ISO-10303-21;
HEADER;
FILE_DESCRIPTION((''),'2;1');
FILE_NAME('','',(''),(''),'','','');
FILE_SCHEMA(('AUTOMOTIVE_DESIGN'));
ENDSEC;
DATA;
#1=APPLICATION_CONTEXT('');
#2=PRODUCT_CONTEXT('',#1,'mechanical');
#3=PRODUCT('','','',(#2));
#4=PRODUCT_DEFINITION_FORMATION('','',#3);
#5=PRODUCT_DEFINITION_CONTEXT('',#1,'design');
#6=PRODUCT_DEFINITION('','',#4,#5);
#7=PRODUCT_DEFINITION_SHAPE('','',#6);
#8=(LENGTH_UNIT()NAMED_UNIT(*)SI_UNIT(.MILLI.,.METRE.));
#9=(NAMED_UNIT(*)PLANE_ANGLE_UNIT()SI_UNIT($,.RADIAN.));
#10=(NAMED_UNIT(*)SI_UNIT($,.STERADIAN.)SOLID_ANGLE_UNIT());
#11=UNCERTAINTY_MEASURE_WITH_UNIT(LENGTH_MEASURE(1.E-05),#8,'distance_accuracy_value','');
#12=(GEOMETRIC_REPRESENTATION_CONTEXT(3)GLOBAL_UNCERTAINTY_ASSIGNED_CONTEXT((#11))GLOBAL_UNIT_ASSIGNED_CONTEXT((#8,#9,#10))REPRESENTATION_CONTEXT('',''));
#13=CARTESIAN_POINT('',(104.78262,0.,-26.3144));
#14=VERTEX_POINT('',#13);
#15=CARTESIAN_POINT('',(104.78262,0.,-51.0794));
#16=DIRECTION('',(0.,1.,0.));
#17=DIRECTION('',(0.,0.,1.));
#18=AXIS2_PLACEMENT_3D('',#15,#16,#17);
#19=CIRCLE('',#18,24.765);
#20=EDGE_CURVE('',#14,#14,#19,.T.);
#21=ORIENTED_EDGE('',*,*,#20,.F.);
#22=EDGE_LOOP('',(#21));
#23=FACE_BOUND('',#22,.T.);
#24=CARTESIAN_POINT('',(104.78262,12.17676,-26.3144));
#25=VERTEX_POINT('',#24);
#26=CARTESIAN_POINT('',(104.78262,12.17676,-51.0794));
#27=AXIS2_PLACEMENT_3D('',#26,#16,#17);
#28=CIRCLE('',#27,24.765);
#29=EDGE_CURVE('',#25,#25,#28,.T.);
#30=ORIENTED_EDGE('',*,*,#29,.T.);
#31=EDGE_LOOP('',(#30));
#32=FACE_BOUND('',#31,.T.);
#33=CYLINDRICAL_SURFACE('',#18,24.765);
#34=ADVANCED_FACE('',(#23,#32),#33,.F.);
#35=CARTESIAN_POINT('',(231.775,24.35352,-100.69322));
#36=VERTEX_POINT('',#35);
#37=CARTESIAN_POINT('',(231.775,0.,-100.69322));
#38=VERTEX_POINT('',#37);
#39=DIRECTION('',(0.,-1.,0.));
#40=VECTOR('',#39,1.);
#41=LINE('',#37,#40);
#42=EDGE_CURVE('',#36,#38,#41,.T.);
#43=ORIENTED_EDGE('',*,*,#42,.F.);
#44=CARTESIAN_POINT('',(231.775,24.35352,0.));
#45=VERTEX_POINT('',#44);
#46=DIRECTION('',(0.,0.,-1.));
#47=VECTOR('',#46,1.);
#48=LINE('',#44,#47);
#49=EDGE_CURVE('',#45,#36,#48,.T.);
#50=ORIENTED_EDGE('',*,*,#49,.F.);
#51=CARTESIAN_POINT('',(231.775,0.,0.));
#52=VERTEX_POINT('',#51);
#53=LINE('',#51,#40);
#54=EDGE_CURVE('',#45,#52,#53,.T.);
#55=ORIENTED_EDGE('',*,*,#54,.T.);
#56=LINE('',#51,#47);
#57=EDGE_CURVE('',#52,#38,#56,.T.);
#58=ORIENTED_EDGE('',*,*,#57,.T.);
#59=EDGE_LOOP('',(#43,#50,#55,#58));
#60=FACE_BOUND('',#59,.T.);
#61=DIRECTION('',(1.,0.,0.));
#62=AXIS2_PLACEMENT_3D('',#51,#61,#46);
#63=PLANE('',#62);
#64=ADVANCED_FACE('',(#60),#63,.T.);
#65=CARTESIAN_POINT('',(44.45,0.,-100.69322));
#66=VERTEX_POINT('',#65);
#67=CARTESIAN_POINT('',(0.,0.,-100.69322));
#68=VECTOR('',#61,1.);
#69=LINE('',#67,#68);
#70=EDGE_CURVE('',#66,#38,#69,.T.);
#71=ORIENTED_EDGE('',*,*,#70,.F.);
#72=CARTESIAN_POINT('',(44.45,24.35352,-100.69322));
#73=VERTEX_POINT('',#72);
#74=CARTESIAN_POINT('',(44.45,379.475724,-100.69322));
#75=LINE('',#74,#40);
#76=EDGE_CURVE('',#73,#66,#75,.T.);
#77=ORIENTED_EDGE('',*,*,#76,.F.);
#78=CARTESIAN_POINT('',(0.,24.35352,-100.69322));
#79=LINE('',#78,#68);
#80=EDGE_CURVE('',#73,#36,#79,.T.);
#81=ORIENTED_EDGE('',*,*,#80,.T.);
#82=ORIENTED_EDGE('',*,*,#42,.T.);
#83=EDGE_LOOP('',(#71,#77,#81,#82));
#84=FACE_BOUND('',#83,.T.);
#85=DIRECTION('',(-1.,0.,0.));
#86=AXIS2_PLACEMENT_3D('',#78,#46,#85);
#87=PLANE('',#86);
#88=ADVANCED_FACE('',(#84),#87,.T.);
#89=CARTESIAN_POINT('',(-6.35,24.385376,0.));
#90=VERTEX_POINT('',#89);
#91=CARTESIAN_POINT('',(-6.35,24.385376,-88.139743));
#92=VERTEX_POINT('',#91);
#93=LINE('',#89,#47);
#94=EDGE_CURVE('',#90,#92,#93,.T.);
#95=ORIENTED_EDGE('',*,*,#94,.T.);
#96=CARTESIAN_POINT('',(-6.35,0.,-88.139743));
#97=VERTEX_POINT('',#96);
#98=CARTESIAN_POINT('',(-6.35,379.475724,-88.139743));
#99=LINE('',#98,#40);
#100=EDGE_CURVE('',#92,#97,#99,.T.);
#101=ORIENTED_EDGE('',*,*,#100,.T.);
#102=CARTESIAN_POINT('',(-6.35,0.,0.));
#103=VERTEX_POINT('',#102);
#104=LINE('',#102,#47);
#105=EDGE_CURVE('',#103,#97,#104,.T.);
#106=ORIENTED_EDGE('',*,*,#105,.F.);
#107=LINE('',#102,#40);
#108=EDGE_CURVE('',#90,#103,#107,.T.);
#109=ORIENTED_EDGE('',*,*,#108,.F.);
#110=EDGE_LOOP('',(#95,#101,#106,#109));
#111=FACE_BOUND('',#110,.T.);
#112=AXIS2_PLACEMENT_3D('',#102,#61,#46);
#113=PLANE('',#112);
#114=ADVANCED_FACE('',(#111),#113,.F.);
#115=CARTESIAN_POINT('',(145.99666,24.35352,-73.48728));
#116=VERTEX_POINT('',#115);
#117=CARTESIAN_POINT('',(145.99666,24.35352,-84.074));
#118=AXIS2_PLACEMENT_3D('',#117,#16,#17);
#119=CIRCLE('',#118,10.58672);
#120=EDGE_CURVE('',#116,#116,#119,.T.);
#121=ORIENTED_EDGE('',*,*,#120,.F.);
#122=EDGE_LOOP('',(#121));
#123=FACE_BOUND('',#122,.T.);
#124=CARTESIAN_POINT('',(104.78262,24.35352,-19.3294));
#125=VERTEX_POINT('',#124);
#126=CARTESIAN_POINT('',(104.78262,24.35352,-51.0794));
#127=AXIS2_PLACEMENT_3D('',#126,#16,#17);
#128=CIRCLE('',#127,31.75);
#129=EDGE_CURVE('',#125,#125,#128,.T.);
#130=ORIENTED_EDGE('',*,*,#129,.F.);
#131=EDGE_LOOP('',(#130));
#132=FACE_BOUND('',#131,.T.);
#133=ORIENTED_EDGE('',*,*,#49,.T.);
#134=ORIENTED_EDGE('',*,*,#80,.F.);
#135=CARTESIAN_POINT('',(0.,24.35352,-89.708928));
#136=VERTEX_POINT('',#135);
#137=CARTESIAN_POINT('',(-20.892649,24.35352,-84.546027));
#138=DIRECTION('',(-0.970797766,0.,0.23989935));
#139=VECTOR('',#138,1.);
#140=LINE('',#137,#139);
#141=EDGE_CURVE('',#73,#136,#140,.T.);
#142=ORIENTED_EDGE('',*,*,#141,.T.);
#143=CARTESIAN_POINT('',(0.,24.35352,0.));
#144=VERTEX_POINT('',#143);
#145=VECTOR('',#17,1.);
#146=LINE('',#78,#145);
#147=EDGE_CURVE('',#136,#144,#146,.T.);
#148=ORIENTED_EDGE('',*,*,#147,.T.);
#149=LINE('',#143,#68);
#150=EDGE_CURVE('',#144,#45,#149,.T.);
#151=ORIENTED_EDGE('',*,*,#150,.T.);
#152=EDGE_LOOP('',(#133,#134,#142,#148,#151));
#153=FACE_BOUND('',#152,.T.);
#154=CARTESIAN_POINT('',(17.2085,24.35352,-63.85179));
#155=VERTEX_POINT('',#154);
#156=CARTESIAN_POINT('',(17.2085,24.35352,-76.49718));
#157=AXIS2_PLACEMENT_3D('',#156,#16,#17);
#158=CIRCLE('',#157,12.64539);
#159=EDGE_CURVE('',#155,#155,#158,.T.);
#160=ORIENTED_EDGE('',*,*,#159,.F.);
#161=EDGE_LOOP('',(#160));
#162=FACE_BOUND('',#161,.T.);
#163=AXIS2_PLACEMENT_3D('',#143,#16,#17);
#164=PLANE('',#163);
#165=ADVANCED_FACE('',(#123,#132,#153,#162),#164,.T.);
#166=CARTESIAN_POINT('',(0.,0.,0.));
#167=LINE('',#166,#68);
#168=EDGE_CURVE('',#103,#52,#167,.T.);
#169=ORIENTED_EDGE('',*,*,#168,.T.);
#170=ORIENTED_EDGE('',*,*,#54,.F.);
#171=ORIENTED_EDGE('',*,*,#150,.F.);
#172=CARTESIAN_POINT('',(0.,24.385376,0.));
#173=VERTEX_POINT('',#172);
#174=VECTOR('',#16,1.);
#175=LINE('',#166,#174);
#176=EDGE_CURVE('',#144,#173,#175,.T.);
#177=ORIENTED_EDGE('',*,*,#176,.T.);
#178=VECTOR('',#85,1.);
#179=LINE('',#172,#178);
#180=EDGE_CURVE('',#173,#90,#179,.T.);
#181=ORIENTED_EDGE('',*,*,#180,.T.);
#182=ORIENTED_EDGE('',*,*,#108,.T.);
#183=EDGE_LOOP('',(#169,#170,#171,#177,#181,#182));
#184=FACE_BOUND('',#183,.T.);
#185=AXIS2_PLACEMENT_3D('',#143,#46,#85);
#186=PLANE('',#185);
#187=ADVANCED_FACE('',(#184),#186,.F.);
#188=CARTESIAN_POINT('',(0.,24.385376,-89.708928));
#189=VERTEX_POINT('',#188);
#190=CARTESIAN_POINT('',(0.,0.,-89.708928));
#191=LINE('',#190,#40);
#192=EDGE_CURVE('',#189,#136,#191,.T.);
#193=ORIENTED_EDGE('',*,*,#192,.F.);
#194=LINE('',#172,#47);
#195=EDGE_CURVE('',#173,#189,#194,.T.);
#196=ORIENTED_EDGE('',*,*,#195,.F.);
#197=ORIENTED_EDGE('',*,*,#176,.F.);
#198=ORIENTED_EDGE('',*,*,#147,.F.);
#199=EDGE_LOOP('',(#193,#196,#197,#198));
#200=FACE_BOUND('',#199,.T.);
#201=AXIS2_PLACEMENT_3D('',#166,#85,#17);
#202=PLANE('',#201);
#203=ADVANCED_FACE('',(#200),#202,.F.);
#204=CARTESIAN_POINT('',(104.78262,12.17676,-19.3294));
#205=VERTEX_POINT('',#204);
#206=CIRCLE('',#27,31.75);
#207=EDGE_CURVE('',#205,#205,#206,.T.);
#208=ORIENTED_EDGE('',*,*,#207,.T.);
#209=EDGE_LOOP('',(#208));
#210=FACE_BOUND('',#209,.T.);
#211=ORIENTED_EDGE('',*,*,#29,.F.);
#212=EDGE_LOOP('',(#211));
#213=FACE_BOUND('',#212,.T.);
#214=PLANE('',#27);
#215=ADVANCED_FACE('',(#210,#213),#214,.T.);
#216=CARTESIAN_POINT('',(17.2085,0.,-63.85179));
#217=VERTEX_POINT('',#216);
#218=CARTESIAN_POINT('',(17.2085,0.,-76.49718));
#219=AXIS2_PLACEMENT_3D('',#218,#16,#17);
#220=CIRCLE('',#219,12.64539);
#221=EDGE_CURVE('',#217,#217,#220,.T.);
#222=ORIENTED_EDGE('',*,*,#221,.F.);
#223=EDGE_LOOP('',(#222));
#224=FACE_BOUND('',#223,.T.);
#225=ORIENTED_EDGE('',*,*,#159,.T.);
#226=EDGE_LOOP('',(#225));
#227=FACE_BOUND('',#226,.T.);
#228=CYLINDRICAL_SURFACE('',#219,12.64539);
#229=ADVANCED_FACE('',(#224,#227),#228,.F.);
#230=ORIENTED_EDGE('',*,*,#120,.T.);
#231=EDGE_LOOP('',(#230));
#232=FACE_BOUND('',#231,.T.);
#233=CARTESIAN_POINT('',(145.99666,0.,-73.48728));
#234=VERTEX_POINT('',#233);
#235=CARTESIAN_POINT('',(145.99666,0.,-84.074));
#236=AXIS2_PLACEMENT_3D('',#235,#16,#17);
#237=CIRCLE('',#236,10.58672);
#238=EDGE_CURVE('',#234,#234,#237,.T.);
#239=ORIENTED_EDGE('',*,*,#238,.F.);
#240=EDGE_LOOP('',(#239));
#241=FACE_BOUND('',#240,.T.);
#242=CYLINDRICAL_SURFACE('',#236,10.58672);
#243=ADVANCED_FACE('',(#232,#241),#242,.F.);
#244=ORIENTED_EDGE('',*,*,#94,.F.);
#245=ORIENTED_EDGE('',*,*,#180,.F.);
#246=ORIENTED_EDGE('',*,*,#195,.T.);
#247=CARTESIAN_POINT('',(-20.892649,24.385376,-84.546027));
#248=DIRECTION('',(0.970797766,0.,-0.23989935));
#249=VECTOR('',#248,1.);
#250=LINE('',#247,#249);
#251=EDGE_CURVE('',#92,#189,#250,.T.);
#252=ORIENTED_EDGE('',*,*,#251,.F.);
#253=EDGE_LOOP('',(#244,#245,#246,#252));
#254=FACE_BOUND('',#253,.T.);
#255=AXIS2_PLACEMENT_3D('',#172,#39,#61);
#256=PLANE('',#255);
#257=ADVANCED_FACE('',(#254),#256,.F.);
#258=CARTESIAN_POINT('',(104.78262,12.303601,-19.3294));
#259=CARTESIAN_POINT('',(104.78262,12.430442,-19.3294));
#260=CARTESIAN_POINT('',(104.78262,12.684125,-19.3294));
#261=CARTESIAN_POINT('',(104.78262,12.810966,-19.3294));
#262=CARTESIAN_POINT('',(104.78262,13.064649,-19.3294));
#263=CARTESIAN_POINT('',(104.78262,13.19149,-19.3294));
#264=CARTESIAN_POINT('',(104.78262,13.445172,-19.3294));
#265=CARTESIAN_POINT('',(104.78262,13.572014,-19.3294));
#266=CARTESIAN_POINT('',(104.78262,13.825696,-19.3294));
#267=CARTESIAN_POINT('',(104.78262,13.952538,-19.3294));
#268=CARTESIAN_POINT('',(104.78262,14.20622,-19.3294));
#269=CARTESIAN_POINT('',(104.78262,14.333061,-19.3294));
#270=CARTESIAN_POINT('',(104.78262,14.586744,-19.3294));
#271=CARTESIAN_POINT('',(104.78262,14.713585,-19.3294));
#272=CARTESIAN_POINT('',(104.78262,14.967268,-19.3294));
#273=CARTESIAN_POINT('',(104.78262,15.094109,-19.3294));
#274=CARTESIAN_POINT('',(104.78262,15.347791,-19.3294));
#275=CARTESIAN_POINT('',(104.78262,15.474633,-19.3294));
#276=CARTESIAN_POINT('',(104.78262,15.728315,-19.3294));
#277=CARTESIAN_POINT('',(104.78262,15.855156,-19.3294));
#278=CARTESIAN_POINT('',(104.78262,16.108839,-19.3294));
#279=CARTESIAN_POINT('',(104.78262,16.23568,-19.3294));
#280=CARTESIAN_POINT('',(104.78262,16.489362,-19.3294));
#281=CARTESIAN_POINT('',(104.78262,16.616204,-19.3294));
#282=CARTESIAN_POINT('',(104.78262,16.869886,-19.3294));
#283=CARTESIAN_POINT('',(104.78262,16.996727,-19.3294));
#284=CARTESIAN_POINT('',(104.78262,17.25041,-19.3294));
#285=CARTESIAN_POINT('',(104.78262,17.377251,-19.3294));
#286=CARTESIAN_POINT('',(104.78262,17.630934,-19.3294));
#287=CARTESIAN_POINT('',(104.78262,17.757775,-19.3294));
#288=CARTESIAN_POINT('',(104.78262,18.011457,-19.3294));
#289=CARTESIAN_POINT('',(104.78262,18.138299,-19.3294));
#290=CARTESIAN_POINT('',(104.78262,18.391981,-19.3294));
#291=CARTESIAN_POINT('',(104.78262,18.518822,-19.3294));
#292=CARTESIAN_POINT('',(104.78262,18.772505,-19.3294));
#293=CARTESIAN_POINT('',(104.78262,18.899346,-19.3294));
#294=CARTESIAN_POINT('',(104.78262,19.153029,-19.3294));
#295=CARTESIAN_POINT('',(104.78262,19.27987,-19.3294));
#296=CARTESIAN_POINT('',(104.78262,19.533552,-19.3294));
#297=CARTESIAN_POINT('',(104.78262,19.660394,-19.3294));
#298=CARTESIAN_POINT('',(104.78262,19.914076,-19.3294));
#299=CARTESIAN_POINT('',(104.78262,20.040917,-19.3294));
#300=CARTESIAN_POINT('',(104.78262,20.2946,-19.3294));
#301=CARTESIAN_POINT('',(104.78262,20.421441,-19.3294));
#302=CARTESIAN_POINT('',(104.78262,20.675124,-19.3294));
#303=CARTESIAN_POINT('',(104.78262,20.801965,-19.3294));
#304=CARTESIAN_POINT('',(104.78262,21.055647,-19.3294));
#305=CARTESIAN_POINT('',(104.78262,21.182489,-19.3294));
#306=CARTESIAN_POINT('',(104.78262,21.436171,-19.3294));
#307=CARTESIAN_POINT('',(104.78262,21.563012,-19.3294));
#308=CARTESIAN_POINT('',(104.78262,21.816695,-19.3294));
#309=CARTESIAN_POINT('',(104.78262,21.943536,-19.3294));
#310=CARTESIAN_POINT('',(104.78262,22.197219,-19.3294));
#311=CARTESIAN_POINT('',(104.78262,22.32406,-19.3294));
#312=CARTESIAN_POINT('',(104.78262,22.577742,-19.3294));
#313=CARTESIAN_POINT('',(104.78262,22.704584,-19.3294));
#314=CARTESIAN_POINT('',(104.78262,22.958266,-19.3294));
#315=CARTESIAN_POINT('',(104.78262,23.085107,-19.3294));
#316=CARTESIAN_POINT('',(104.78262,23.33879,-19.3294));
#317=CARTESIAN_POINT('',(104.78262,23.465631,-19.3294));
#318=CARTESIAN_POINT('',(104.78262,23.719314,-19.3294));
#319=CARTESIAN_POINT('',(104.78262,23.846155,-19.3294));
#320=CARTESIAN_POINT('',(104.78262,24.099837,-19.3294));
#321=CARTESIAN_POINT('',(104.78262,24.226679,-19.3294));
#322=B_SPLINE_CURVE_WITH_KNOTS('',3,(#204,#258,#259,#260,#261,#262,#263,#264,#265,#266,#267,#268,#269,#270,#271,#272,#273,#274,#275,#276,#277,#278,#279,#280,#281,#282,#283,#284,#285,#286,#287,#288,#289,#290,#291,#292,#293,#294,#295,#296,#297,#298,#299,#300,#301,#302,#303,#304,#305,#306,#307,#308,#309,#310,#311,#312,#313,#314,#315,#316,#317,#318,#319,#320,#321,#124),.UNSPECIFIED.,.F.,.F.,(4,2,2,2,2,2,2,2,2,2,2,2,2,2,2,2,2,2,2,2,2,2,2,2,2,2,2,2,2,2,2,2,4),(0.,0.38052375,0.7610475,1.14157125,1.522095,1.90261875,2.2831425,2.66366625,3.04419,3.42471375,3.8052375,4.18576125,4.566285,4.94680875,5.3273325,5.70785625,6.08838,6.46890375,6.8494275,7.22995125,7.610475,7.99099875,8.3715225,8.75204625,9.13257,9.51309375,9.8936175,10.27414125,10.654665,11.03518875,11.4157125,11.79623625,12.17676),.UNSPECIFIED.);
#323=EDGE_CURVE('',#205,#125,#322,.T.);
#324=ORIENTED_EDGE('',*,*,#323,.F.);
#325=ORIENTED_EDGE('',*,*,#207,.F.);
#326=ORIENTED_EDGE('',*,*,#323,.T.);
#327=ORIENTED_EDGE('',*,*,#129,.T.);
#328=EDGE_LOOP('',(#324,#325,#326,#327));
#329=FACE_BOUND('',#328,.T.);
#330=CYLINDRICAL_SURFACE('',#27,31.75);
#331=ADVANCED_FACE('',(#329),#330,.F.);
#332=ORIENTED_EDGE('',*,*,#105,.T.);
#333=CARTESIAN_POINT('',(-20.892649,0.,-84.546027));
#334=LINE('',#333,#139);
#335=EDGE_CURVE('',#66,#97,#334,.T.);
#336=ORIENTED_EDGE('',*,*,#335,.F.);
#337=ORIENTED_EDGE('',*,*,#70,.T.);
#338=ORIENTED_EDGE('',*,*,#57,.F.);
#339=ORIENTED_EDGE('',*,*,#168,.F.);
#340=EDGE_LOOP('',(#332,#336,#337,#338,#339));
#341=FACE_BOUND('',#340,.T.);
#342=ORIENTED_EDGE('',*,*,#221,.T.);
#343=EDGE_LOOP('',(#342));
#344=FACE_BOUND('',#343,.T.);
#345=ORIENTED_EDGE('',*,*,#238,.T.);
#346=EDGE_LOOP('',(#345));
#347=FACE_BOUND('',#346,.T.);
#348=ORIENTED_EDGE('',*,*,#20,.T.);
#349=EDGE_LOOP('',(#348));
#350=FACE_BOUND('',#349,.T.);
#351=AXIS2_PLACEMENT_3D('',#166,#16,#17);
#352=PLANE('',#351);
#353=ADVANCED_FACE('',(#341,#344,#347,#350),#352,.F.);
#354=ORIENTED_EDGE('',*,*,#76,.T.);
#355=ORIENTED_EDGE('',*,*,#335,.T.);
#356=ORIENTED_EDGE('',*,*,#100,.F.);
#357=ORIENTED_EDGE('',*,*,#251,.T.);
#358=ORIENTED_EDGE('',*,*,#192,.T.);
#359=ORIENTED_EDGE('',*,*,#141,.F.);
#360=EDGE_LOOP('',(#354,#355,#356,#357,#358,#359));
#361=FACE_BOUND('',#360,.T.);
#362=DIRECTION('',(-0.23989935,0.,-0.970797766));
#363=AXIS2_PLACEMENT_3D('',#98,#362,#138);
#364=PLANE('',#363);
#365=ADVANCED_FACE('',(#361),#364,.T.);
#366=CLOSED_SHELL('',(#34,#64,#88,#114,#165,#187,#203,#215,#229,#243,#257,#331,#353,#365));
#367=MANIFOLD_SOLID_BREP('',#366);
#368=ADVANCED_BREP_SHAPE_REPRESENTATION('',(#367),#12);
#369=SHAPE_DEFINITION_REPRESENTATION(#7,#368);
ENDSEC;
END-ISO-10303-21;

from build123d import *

# Parameters (mm, degrees)
SKETCH1_W               = 225.425
SKETCH1_H               = 100.69322
BOSS_EXTRUDE1_DEPTH     = 24.35352
SKETCH2_W               = 6.35
SKETCH2_H               = 24.385376466
BOSS_EXTRUDE2_DEPTH     = 100.69322
SKETCH3_W               = 6.35
SKETCH3_H               = 24.35352
BOSS_EXTRUDE3_DEPTH     = 100.69322
SKETCH4_R               = 12.64539
SKETCH4_R_2             = 10.58672
CUT_EXTRUDE1_DEPTH      = 254.873726713
CUT_EXTRUDE2_DEPTH      = 254.876784611
CUT_EXTRUDE2_DEPTH_BACK = 254.876784611
SKETCH16_R              = 31.75
SKETCH16_R_2            = 24.765
CUT_EXTRUDE6_DEPTH      = 12.17676
SKETCH17_R              = 24.765
CUT_EXTRUDE7_DEPTH      = 254.873726713


with BuildPart() as part:
    # Sketch1 → Boss-Extrude1 (new body)
    with BuildSketch(Plane(origin=(0, 0, 0), x_dir=(1, 0, 0), z_dir=(0, 1, 0))):
        with Locations((112.7125, 50.34661)):
            Rectangle(SKETCH1_W, SKETCH1_H)
    extrude(amount=BOSS_EXTRUDE1_DEPTH)

    # Sketch2 → Boss-Extrude2 (add)
    with BuildSketch(Plane.XY.offset(-100.69322)):
        with Locations((-3.175, 12.192688233)):
            Rectangle(SKETCH2_W, SKETCH2_H)
    extrude(amount=BOSS_EXTRUDE2_DEPTH)

    # Sketch3 → Boss-Extrude3 (add)
    with BuildSketch(Plane(origin=(225.425, 0, -100.69322), x_dir=(-1, 0, 0), z_dir=(0, 0, -1))):
        with Locations((-3.175, 12.17676)):
            Rectangle(SKETCH3_W, SKETCH3_H)
    extrude(amount=-BOSS_EXTRUDE3_DEPTH)

    # Sketch4 → Cut-Extrude1 (cut, through all)
    with BuildSketch(Plane(origin=(0, 24.35352, 0), x_dir=(1, 0, 0), z_dir=(0, 1, 0))):
        with Locations(Location((17.2085, 76.49718, 0), (0, 0, 270))):
            Circle(SKETCH4_R)
        with Locations(Location((145.99666, 84.074, 0), (0, 0, 270))):
            Circle(SKETCH4_R_2)
    extrude(amount=-CUT_EXTRUDE1_DEPTH, mode=Mode.SUBTRACT)

    # Sketch5 → Cut-Extrude2 (cut, two sides: drawn at the far end of the back side and taken through both)
    with BuildSketch(Plane(origin=(0, 24.385376466, 0), x_dir=(1, 0, 0), z_dir=(0, 1, 0)).offset(-CUT_EXTRUDE2_DEPTH_BACK)):
        Polygon((-509.055541284, -36.086678247), (-6.35, 88.139743453), (44.45, 100.69322), (547.155541284, 224.9196417), (298.702697883, 1230.330724268), (-757.508384685, 969.324404321), align=None)
    extrude(amount=CUT_EXTRUDE2_DEPTH + CUT_EXTRUDE2_DEPTH_BACK, mode=Mode.SUBTRACT)

    # Sketch16 → Cut-Extrude6 (cut)
    with BuildSketch(Plane(origin=(0, 24.35352, 0), x_dir=(1, 0, 0), z_dir=(0, 1, 0))):
        with Locations(Location((104.78262, 51.0794, 0), (0, 0, 270))):
            Circle(SKETCH16_R)
        with Locations(Location((104.78262, 51.0794, 0), (0, 0, 270))):
            Circle(SKETCH16_R_2, mode=Mode.SUBTRACT)
    extrude(amount=-CUT_EXTRUDE6_DEPTH, mode=Mode.SUBTRACT)

    # Sketch17 → Cut-Extrude7 (cut, through all)
    with BuildSketch(Plane(origin=(0, 24.35352, 0), x_dir=(1, 0, 0), z_dir=(0, 1, 0))):
        with Locations(Location((104.78262, 51.0794, 0), (0, 0, 270))):
            Circle(SKETCH17_R)
    extrude(amount=-CUT_EXTRUDE7_DEPTH, mode=Mode.SUBTRACT)


solid = part.part
